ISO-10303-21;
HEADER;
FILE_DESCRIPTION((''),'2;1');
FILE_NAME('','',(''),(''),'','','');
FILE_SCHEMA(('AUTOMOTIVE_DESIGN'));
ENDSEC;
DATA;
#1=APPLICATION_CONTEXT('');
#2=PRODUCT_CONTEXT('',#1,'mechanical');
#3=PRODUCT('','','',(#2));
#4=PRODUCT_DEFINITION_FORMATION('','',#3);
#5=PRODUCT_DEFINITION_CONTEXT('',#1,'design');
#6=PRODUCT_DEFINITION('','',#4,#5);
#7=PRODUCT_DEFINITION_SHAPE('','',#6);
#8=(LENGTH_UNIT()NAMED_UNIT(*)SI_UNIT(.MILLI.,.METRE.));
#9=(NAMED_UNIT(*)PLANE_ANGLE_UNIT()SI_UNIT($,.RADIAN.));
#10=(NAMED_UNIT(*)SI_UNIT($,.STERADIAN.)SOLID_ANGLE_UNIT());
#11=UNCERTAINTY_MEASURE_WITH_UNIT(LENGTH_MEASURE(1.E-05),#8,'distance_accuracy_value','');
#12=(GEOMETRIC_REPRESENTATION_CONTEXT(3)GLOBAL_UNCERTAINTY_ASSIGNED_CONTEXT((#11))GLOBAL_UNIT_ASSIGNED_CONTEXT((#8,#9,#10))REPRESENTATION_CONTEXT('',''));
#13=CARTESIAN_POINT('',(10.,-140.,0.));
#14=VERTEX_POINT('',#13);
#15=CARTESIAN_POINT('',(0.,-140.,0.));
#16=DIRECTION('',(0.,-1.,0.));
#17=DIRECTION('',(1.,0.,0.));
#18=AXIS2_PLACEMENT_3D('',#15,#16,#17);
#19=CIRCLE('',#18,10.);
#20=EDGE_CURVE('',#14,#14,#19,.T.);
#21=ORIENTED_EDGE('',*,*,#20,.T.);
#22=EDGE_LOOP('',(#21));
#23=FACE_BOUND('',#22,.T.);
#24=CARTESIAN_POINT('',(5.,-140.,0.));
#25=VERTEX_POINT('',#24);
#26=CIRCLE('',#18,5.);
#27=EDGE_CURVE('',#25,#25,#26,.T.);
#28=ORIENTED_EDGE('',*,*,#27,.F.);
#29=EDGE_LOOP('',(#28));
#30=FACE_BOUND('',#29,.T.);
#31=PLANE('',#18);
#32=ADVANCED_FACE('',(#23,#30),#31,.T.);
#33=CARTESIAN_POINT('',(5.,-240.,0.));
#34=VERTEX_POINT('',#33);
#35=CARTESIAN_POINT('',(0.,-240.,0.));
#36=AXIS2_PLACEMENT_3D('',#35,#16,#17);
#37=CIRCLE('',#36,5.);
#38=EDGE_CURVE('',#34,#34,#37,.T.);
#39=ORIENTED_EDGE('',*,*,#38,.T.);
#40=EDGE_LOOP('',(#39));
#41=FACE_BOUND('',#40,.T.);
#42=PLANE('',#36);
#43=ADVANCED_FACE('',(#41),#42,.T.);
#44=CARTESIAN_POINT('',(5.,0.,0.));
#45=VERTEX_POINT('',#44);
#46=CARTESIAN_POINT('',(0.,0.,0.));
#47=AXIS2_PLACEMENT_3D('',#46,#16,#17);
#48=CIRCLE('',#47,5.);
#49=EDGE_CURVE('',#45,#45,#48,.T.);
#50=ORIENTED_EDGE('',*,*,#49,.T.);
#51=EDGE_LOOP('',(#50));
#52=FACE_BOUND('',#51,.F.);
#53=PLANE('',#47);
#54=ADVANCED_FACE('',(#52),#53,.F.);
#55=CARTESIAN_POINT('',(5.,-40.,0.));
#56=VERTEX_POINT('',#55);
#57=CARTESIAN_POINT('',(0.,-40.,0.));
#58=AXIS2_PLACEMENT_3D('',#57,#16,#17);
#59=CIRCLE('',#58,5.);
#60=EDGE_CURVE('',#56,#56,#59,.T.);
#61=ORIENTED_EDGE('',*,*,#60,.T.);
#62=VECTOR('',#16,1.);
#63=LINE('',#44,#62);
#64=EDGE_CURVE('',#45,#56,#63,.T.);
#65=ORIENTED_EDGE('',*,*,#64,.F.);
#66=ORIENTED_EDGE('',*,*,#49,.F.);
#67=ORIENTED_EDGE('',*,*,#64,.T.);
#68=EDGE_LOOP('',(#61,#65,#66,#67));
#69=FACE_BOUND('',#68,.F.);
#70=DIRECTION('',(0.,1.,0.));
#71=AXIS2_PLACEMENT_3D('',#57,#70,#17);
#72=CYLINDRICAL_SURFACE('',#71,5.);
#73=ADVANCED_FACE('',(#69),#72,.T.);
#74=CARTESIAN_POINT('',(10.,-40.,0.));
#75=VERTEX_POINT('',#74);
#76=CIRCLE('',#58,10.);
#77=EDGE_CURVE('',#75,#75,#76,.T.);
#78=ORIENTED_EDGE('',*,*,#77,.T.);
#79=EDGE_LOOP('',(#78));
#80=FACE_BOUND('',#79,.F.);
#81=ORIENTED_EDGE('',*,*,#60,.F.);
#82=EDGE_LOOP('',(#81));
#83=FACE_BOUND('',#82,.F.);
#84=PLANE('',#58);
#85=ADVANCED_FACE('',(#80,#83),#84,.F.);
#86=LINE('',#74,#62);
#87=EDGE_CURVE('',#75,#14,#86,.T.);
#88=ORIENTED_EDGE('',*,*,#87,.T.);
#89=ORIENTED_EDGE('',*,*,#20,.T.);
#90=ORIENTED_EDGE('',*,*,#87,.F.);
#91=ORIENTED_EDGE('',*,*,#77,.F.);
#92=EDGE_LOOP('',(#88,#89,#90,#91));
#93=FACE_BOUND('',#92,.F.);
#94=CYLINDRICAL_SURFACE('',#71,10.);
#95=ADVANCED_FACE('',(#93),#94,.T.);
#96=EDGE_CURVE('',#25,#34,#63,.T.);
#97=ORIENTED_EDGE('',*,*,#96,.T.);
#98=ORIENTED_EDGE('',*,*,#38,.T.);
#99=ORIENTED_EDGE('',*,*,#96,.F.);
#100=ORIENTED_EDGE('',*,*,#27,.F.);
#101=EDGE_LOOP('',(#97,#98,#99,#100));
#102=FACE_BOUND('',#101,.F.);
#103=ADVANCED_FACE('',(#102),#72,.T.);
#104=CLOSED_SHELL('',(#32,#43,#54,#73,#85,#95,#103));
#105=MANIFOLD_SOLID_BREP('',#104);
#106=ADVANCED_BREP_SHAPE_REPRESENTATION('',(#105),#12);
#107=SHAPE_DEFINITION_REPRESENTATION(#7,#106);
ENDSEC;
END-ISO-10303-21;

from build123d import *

# Parameters (mm, degrees)
F0_R     = 5
F1_DEPTH = 40
F2_R     = 5
F4_DEPTH = 200
F3_R     = 10
F3_R_2   = 5
F5_DEPTH = 100


with BuildPart() as f1:
    # F0 (on Front) → F1 (new body)
    with BuildSketch(Plane.XZ):
        Circle(F0_R)
    extrude(amount=F1_DEPTH)

    # F2 (on face) → F4 (join)
    with BuildSketch(Plane.XZ.offset(40)):
        Circle(F2_R)
    extrude(amount=F4_DEPTH)

    # F3 (on face) → F5 (join)
    with BuildSketch(Plane.XZ.offset(40)):
        Circle(F3_R)
        Circle(F3_R_2, mode=Mode.SUBTRACT)
    extrude(amount=F5_DEPTH)


solid = f1.part
